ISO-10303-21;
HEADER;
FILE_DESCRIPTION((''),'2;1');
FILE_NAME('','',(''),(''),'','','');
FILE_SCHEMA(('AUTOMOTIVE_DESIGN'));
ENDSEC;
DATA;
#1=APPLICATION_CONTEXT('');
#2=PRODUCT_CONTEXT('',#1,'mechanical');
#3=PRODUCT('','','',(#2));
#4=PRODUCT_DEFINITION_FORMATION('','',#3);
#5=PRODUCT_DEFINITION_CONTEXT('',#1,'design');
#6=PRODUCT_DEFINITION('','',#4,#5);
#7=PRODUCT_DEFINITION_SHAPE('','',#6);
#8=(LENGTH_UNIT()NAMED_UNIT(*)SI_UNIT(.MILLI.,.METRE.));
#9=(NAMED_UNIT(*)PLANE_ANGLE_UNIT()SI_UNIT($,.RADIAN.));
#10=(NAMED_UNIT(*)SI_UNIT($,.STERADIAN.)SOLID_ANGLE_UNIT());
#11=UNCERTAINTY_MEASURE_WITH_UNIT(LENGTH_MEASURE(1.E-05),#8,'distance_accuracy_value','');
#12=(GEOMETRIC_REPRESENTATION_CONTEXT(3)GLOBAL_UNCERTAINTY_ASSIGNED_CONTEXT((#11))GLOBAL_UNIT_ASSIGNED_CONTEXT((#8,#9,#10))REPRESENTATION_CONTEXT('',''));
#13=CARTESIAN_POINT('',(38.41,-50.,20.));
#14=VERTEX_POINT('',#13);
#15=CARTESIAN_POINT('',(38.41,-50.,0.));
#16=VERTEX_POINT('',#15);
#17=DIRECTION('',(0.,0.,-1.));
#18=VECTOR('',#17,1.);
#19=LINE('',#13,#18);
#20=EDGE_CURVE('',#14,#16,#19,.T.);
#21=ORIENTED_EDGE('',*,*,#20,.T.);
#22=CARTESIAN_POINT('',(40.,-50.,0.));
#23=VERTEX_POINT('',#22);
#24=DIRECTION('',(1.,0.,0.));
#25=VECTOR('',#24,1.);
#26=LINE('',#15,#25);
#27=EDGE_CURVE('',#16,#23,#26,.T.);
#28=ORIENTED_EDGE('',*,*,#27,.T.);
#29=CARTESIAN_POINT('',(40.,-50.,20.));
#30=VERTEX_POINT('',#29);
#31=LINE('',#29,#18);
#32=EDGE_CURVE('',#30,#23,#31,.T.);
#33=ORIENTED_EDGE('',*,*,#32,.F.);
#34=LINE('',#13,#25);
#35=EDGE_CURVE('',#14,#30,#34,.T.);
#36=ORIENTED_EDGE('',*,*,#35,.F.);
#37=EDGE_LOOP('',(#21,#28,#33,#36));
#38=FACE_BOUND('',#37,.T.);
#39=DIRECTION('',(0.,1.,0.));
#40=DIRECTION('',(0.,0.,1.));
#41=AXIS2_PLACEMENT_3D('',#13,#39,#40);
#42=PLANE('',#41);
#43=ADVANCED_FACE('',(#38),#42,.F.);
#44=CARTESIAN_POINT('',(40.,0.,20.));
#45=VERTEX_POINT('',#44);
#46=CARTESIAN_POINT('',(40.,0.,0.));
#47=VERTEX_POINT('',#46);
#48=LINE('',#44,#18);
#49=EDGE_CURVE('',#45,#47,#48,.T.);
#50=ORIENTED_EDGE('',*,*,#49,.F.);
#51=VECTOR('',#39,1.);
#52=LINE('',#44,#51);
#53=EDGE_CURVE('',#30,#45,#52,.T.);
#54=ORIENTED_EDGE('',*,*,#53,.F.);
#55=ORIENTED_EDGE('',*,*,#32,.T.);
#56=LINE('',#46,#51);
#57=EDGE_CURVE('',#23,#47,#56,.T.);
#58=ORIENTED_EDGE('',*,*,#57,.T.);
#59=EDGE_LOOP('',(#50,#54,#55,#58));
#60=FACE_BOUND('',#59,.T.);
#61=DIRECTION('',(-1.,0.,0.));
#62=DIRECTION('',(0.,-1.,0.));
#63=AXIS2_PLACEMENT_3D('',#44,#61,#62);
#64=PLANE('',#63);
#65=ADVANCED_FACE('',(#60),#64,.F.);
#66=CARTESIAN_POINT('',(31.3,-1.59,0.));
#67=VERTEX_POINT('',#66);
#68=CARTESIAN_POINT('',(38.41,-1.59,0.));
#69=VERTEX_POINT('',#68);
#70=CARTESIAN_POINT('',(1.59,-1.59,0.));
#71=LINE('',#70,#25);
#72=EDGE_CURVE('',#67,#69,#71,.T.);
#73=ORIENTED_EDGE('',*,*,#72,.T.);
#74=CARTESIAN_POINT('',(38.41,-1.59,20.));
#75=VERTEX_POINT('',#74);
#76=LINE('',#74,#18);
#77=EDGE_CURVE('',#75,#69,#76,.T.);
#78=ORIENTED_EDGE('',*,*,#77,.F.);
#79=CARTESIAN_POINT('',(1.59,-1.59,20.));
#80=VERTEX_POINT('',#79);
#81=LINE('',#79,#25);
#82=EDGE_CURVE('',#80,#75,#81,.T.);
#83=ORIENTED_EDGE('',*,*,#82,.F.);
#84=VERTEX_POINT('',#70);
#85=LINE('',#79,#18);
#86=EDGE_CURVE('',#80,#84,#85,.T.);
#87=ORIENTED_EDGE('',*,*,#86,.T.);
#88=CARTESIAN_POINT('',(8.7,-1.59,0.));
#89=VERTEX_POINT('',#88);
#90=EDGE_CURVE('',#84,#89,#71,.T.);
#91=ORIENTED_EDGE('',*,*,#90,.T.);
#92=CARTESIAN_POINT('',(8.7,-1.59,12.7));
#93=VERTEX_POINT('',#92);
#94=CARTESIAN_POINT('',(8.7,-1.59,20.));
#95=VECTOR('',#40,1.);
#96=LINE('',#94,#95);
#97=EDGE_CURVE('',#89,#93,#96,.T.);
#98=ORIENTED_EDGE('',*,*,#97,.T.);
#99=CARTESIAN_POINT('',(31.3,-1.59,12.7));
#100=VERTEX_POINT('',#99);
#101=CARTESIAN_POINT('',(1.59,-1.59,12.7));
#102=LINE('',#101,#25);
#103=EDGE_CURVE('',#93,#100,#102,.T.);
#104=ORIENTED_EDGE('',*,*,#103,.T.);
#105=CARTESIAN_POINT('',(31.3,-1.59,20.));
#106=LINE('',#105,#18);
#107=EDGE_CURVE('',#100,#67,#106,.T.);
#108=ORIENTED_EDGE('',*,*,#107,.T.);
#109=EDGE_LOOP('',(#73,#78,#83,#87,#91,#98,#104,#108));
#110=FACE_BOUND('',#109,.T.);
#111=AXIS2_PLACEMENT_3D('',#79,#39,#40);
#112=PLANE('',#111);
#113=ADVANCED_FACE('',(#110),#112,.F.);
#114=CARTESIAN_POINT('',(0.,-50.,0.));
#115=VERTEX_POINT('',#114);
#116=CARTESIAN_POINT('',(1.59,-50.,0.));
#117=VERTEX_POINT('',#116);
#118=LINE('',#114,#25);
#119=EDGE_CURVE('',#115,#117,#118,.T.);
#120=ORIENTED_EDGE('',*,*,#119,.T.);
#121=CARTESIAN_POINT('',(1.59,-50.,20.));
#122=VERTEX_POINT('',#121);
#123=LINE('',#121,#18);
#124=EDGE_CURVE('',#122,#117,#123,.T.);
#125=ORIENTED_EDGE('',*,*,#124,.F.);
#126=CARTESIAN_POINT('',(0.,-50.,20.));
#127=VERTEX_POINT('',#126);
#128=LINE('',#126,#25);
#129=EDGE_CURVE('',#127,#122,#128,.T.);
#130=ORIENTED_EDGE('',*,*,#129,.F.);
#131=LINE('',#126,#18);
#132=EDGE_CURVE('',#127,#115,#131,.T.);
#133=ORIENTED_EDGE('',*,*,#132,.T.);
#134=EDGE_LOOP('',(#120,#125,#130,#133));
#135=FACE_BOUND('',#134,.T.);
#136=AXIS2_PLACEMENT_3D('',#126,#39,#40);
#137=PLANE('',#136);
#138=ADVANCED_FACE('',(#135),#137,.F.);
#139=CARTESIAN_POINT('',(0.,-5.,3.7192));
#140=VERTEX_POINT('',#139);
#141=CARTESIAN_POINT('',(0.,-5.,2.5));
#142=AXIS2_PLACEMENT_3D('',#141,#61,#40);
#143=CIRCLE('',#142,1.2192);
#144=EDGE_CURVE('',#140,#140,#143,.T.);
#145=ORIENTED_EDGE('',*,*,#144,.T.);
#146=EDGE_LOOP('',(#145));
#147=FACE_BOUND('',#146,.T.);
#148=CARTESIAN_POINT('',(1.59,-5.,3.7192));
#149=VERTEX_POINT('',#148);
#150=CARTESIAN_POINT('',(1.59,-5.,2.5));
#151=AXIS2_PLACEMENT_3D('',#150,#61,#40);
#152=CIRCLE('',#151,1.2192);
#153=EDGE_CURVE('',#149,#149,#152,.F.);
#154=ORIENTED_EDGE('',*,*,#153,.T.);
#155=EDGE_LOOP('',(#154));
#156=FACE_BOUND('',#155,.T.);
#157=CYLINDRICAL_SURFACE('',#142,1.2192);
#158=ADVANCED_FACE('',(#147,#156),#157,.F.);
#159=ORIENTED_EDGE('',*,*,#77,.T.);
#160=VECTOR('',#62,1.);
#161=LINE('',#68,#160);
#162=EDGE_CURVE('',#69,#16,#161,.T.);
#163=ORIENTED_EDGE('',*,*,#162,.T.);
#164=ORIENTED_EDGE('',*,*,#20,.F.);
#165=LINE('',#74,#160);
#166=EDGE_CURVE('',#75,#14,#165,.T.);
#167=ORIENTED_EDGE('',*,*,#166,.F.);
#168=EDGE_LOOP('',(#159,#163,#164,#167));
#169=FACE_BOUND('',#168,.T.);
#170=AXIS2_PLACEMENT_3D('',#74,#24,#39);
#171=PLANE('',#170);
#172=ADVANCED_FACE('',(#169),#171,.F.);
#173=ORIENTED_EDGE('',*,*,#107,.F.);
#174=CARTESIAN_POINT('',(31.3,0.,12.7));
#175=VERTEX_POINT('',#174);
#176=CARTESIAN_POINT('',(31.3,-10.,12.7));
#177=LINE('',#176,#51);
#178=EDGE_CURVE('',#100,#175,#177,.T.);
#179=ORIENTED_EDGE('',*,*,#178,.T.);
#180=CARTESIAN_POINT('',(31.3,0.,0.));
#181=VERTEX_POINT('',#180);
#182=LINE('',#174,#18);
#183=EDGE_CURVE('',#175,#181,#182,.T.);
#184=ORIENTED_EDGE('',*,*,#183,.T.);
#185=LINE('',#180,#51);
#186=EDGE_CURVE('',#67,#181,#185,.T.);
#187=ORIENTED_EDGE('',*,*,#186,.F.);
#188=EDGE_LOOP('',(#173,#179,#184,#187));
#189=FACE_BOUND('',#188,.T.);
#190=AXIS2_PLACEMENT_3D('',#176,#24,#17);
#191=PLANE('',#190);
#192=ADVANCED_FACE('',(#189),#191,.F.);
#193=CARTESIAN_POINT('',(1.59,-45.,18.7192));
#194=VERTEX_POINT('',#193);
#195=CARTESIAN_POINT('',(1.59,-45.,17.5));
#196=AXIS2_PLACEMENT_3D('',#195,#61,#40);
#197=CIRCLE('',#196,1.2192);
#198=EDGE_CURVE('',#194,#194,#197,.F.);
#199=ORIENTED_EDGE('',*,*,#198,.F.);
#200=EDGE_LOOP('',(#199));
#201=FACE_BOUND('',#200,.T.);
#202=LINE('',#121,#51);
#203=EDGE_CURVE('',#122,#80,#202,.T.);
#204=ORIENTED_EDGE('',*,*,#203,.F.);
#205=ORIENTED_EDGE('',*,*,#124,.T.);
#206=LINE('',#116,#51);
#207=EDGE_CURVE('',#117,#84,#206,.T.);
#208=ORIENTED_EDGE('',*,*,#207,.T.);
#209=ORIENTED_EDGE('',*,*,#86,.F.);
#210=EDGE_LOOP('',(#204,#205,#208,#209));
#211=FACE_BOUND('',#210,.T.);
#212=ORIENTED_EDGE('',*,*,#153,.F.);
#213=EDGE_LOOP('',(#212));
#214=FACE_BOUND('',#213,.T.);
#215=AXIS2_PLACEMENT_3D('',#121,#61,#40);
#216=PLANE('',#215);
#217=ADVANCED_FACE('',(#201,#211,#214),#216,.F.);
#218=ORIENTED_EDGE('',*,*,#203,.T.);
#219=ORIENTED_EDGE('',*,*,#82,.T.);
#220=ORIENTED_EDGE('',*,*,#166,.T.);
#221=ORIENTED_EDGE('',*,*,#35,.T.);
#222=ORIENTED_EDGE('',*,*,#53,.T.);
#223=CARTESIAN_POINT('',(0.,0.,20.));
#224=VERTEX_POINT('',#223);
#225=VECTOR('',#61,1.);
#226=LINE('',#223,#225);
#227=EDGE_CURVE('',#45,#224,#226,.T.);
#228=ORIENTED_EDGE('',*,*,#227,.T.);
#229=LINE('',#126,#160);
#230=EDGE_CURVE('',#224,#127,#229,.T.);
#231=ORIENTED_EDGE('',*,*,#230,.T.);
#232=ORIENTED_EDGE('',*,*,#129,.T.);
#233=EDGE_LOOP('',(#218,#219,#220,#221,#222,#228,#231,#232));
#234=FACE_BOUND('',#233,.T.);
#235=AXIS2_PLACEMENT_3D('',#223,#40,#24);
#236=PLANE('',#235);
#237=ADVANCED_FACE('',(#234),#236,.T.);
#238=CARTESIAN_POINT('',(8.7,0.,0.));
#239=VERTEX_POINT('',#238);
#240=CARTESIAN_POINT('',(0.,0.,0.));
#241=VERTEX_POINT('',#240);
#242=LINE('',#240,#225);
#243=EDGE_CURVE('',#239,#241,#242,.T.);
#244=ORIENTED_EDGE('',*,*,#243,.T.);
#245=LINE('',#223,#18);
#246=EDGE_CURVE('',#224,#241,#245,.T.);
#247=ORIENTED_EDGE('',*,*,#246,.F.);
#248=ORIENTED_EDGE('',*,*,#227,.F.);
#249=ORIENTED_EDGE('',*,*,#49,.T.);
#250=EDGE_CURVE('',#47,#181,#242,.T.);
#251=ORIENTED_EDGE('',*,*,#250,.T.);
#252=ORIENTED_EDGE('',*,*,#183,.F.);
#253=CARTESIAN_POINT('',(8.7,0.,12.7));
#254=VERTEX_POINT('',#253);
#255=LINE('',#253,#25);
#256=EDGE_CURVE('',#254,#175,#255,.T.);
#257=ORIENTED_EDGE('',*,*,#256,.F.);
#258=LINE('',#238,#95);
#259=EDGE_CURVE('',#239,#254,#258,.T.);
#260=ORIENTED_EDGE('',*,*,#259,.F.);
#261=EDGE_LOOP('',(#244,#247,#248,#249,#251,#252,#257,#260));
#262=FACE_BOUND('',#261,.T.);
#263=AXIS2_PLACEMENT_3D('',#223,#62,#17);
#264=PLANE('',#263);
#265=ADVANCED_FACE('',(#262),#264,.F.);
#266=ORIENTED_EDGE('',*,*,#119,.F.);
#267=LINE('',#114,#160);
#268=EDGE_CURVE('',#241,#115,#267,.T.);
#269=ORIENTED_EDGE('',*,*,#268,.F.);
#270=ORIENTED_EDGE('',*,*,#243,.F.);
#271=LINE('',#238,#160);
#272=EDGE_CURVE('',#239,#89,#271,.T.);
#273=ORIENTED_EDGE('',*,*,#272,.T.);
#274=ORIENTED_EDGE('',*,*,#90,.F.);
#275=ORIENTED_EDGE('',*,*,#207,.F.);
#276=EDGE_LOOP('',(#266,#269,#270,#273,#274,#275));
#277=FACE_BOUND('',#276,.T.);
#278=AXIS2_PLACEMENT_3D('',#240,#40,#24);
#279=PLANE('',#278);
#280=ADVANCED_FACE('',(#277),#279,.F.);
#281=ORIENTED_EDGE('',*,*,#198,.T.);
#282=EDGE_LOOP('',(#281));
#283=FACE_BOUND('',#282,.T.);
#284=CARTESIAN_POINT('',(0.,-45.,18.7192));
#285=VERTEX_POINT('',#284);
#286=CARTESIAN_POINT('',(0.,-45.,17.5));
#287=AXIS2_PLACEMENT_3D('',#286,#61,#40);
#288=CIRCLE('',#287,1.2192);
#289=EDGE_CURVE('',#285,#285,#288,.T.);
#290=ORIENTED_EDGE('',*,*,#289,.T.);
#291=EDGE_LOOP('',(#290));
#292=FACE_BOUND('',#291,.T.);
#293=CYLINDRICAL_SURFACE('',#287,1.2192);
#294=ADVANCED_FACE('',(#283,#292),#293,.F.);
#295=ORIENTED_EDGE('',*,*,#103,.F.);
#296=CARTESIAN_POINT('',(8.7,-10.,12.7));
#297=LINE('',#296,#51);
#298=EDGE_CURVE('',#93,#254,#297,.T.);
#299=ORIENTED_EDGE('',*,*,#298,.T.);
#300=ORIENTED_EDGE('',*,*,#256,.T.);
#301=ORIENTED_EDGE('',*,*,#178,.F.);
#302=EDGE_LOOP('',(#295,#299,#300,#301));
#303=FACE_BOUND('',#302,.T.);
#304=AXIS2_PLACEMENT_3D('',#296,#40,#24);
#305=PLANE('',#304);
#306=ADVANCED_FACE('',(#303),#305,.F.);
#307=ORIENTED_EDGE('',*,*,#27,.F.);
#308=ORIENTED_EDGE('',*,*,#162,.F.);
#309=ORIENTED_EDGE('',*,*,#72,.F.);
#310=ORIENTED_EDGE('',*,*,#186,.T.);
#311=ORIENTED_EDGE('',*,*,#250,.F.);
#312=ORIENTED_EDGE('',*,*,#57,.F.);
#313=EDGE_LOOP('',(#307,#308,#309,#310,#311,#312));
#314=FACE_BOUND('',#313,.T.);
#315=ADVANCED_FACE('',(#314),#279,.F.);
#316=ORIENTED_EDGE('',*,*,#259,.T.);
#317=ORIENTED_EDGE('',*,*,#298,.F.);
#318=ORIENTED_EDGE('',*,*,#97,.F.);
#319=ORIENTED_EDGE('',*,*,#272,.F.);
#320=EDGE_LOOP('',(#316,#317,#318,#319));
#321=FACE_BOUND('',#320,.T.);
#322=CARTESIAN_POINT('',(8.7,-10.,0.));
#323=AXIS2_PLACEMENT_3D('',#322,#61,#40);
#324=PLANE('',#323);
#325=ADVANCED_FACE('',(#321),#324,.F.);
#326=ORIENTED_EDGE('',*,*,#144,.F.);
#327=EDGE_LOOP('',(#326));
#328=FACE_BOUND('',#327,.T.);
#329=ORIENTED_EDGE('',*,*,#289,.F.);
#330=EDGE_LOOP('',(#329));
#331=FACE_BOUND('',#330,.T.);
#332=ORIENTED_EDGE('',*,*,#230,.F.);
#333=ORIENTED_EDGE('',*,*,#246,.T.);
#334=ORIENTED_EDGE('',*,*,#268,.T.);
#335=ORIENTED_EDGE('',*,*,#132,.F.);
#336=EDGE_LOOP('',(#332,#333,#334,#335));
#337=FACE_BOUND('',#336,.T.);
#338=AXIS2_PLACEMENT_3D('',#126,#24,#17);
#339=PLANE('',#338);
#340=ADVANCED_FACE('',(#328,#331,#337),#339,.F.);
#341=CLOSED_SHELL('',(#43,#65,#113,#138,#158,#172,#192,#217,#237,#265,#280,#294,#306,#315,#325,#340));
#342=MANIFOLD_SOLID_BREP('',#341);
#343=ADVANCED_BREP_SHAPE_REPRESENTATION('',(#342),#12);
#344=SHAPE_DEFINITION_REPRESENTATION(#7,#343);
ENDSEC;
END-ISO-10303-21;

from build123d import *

# Parameters (mm, degrees)
BOSS_EXTRUDE1_DEPTH        = 20
SKETCH2_W                  = 22.6
SKETCH2_H                  = 12.7
CUT_EXTRUDE1_DEPTH         = 10
F_2_CLEARANCE_HOLE1_REACH  = 69.082
F_2_CLEARANCE_HOLE1_BORE_R = 1.2192


with BuildPart() as part:
    # Sketch1 → Boss-Extrude1 (new body)
    with BuildSketch(Plane.XY):
        Polygon((1.59, -50), (1.59, -1.59), (38.41, -1.59), (38.41, -50), (40, -50), (40, 0), (0, 0), (0, -50), align=None)
    extrude(amount=BOSS_EXTRUDE1_DEPTH)

    # Sketch2 → Cut-Extrude1 (cut)
    with BuildSketch(Plane(origin=(0, 0, 0), x_dir=(1, 0, 0), z_dir=(0, 1, 0))):
        with Locations((20, -6.35)):
            Rectangle(SKETCH2_W, SKETCH2_H)
    extrude(amount=-CUT_EXTRUDE1_DEPTH, mode=Mode.SUBTRACT)

    # #2 Clearance Hole1 bore → #2 Clearance Hole1 (cut, up to next)
    with BuildSketch(Plane.ZY, mode=Mode.PRIVATE) as f_2_clearance_hole1_sk1:
        with Locations((2.5, -5)):
            Circle(F_2_CLEARANCE_HOLE1_BORE_R)
    f_2_clearance_hole1_tool1 = extrude(f_2_clearance_hole1_sk1.sketch, amount=-F_2_CLEARANCE_HOLE1_REACH, mode=Mode.PRIVATE) & part.part
    # #2 Clearance Hole1 bore → #2 Clearance Hole1 (cut, up to next)
    with BuildSketch(Plane.ZY, mode=Mode.PRIVATE) as f_2_clearance_hole1_sk2:
        with Locations((17.5, -45)):
            Circle(F_2_CLEARANCE_HOLE1_BORE_R)
    f_2_clearance_hole1_tool2 = extrude(f_2_clearance_hole1_sk2.sketch, amount=-F_2_CLEARANCE_HOLE1_REACH, mode=Mode.PRIVATE) & part.part
    add(f_2_clearance_hole1_tool1.solids().sort_by_distance((0, -5, 2.5))[0], mode=Mode.SUBTRACT)
    add(f_2_clearance_hole1_tool2.solids().sort_by_distance((0, -45, 17.5))[0], mode=Mode.SUBTRACT)


solid = part.part
